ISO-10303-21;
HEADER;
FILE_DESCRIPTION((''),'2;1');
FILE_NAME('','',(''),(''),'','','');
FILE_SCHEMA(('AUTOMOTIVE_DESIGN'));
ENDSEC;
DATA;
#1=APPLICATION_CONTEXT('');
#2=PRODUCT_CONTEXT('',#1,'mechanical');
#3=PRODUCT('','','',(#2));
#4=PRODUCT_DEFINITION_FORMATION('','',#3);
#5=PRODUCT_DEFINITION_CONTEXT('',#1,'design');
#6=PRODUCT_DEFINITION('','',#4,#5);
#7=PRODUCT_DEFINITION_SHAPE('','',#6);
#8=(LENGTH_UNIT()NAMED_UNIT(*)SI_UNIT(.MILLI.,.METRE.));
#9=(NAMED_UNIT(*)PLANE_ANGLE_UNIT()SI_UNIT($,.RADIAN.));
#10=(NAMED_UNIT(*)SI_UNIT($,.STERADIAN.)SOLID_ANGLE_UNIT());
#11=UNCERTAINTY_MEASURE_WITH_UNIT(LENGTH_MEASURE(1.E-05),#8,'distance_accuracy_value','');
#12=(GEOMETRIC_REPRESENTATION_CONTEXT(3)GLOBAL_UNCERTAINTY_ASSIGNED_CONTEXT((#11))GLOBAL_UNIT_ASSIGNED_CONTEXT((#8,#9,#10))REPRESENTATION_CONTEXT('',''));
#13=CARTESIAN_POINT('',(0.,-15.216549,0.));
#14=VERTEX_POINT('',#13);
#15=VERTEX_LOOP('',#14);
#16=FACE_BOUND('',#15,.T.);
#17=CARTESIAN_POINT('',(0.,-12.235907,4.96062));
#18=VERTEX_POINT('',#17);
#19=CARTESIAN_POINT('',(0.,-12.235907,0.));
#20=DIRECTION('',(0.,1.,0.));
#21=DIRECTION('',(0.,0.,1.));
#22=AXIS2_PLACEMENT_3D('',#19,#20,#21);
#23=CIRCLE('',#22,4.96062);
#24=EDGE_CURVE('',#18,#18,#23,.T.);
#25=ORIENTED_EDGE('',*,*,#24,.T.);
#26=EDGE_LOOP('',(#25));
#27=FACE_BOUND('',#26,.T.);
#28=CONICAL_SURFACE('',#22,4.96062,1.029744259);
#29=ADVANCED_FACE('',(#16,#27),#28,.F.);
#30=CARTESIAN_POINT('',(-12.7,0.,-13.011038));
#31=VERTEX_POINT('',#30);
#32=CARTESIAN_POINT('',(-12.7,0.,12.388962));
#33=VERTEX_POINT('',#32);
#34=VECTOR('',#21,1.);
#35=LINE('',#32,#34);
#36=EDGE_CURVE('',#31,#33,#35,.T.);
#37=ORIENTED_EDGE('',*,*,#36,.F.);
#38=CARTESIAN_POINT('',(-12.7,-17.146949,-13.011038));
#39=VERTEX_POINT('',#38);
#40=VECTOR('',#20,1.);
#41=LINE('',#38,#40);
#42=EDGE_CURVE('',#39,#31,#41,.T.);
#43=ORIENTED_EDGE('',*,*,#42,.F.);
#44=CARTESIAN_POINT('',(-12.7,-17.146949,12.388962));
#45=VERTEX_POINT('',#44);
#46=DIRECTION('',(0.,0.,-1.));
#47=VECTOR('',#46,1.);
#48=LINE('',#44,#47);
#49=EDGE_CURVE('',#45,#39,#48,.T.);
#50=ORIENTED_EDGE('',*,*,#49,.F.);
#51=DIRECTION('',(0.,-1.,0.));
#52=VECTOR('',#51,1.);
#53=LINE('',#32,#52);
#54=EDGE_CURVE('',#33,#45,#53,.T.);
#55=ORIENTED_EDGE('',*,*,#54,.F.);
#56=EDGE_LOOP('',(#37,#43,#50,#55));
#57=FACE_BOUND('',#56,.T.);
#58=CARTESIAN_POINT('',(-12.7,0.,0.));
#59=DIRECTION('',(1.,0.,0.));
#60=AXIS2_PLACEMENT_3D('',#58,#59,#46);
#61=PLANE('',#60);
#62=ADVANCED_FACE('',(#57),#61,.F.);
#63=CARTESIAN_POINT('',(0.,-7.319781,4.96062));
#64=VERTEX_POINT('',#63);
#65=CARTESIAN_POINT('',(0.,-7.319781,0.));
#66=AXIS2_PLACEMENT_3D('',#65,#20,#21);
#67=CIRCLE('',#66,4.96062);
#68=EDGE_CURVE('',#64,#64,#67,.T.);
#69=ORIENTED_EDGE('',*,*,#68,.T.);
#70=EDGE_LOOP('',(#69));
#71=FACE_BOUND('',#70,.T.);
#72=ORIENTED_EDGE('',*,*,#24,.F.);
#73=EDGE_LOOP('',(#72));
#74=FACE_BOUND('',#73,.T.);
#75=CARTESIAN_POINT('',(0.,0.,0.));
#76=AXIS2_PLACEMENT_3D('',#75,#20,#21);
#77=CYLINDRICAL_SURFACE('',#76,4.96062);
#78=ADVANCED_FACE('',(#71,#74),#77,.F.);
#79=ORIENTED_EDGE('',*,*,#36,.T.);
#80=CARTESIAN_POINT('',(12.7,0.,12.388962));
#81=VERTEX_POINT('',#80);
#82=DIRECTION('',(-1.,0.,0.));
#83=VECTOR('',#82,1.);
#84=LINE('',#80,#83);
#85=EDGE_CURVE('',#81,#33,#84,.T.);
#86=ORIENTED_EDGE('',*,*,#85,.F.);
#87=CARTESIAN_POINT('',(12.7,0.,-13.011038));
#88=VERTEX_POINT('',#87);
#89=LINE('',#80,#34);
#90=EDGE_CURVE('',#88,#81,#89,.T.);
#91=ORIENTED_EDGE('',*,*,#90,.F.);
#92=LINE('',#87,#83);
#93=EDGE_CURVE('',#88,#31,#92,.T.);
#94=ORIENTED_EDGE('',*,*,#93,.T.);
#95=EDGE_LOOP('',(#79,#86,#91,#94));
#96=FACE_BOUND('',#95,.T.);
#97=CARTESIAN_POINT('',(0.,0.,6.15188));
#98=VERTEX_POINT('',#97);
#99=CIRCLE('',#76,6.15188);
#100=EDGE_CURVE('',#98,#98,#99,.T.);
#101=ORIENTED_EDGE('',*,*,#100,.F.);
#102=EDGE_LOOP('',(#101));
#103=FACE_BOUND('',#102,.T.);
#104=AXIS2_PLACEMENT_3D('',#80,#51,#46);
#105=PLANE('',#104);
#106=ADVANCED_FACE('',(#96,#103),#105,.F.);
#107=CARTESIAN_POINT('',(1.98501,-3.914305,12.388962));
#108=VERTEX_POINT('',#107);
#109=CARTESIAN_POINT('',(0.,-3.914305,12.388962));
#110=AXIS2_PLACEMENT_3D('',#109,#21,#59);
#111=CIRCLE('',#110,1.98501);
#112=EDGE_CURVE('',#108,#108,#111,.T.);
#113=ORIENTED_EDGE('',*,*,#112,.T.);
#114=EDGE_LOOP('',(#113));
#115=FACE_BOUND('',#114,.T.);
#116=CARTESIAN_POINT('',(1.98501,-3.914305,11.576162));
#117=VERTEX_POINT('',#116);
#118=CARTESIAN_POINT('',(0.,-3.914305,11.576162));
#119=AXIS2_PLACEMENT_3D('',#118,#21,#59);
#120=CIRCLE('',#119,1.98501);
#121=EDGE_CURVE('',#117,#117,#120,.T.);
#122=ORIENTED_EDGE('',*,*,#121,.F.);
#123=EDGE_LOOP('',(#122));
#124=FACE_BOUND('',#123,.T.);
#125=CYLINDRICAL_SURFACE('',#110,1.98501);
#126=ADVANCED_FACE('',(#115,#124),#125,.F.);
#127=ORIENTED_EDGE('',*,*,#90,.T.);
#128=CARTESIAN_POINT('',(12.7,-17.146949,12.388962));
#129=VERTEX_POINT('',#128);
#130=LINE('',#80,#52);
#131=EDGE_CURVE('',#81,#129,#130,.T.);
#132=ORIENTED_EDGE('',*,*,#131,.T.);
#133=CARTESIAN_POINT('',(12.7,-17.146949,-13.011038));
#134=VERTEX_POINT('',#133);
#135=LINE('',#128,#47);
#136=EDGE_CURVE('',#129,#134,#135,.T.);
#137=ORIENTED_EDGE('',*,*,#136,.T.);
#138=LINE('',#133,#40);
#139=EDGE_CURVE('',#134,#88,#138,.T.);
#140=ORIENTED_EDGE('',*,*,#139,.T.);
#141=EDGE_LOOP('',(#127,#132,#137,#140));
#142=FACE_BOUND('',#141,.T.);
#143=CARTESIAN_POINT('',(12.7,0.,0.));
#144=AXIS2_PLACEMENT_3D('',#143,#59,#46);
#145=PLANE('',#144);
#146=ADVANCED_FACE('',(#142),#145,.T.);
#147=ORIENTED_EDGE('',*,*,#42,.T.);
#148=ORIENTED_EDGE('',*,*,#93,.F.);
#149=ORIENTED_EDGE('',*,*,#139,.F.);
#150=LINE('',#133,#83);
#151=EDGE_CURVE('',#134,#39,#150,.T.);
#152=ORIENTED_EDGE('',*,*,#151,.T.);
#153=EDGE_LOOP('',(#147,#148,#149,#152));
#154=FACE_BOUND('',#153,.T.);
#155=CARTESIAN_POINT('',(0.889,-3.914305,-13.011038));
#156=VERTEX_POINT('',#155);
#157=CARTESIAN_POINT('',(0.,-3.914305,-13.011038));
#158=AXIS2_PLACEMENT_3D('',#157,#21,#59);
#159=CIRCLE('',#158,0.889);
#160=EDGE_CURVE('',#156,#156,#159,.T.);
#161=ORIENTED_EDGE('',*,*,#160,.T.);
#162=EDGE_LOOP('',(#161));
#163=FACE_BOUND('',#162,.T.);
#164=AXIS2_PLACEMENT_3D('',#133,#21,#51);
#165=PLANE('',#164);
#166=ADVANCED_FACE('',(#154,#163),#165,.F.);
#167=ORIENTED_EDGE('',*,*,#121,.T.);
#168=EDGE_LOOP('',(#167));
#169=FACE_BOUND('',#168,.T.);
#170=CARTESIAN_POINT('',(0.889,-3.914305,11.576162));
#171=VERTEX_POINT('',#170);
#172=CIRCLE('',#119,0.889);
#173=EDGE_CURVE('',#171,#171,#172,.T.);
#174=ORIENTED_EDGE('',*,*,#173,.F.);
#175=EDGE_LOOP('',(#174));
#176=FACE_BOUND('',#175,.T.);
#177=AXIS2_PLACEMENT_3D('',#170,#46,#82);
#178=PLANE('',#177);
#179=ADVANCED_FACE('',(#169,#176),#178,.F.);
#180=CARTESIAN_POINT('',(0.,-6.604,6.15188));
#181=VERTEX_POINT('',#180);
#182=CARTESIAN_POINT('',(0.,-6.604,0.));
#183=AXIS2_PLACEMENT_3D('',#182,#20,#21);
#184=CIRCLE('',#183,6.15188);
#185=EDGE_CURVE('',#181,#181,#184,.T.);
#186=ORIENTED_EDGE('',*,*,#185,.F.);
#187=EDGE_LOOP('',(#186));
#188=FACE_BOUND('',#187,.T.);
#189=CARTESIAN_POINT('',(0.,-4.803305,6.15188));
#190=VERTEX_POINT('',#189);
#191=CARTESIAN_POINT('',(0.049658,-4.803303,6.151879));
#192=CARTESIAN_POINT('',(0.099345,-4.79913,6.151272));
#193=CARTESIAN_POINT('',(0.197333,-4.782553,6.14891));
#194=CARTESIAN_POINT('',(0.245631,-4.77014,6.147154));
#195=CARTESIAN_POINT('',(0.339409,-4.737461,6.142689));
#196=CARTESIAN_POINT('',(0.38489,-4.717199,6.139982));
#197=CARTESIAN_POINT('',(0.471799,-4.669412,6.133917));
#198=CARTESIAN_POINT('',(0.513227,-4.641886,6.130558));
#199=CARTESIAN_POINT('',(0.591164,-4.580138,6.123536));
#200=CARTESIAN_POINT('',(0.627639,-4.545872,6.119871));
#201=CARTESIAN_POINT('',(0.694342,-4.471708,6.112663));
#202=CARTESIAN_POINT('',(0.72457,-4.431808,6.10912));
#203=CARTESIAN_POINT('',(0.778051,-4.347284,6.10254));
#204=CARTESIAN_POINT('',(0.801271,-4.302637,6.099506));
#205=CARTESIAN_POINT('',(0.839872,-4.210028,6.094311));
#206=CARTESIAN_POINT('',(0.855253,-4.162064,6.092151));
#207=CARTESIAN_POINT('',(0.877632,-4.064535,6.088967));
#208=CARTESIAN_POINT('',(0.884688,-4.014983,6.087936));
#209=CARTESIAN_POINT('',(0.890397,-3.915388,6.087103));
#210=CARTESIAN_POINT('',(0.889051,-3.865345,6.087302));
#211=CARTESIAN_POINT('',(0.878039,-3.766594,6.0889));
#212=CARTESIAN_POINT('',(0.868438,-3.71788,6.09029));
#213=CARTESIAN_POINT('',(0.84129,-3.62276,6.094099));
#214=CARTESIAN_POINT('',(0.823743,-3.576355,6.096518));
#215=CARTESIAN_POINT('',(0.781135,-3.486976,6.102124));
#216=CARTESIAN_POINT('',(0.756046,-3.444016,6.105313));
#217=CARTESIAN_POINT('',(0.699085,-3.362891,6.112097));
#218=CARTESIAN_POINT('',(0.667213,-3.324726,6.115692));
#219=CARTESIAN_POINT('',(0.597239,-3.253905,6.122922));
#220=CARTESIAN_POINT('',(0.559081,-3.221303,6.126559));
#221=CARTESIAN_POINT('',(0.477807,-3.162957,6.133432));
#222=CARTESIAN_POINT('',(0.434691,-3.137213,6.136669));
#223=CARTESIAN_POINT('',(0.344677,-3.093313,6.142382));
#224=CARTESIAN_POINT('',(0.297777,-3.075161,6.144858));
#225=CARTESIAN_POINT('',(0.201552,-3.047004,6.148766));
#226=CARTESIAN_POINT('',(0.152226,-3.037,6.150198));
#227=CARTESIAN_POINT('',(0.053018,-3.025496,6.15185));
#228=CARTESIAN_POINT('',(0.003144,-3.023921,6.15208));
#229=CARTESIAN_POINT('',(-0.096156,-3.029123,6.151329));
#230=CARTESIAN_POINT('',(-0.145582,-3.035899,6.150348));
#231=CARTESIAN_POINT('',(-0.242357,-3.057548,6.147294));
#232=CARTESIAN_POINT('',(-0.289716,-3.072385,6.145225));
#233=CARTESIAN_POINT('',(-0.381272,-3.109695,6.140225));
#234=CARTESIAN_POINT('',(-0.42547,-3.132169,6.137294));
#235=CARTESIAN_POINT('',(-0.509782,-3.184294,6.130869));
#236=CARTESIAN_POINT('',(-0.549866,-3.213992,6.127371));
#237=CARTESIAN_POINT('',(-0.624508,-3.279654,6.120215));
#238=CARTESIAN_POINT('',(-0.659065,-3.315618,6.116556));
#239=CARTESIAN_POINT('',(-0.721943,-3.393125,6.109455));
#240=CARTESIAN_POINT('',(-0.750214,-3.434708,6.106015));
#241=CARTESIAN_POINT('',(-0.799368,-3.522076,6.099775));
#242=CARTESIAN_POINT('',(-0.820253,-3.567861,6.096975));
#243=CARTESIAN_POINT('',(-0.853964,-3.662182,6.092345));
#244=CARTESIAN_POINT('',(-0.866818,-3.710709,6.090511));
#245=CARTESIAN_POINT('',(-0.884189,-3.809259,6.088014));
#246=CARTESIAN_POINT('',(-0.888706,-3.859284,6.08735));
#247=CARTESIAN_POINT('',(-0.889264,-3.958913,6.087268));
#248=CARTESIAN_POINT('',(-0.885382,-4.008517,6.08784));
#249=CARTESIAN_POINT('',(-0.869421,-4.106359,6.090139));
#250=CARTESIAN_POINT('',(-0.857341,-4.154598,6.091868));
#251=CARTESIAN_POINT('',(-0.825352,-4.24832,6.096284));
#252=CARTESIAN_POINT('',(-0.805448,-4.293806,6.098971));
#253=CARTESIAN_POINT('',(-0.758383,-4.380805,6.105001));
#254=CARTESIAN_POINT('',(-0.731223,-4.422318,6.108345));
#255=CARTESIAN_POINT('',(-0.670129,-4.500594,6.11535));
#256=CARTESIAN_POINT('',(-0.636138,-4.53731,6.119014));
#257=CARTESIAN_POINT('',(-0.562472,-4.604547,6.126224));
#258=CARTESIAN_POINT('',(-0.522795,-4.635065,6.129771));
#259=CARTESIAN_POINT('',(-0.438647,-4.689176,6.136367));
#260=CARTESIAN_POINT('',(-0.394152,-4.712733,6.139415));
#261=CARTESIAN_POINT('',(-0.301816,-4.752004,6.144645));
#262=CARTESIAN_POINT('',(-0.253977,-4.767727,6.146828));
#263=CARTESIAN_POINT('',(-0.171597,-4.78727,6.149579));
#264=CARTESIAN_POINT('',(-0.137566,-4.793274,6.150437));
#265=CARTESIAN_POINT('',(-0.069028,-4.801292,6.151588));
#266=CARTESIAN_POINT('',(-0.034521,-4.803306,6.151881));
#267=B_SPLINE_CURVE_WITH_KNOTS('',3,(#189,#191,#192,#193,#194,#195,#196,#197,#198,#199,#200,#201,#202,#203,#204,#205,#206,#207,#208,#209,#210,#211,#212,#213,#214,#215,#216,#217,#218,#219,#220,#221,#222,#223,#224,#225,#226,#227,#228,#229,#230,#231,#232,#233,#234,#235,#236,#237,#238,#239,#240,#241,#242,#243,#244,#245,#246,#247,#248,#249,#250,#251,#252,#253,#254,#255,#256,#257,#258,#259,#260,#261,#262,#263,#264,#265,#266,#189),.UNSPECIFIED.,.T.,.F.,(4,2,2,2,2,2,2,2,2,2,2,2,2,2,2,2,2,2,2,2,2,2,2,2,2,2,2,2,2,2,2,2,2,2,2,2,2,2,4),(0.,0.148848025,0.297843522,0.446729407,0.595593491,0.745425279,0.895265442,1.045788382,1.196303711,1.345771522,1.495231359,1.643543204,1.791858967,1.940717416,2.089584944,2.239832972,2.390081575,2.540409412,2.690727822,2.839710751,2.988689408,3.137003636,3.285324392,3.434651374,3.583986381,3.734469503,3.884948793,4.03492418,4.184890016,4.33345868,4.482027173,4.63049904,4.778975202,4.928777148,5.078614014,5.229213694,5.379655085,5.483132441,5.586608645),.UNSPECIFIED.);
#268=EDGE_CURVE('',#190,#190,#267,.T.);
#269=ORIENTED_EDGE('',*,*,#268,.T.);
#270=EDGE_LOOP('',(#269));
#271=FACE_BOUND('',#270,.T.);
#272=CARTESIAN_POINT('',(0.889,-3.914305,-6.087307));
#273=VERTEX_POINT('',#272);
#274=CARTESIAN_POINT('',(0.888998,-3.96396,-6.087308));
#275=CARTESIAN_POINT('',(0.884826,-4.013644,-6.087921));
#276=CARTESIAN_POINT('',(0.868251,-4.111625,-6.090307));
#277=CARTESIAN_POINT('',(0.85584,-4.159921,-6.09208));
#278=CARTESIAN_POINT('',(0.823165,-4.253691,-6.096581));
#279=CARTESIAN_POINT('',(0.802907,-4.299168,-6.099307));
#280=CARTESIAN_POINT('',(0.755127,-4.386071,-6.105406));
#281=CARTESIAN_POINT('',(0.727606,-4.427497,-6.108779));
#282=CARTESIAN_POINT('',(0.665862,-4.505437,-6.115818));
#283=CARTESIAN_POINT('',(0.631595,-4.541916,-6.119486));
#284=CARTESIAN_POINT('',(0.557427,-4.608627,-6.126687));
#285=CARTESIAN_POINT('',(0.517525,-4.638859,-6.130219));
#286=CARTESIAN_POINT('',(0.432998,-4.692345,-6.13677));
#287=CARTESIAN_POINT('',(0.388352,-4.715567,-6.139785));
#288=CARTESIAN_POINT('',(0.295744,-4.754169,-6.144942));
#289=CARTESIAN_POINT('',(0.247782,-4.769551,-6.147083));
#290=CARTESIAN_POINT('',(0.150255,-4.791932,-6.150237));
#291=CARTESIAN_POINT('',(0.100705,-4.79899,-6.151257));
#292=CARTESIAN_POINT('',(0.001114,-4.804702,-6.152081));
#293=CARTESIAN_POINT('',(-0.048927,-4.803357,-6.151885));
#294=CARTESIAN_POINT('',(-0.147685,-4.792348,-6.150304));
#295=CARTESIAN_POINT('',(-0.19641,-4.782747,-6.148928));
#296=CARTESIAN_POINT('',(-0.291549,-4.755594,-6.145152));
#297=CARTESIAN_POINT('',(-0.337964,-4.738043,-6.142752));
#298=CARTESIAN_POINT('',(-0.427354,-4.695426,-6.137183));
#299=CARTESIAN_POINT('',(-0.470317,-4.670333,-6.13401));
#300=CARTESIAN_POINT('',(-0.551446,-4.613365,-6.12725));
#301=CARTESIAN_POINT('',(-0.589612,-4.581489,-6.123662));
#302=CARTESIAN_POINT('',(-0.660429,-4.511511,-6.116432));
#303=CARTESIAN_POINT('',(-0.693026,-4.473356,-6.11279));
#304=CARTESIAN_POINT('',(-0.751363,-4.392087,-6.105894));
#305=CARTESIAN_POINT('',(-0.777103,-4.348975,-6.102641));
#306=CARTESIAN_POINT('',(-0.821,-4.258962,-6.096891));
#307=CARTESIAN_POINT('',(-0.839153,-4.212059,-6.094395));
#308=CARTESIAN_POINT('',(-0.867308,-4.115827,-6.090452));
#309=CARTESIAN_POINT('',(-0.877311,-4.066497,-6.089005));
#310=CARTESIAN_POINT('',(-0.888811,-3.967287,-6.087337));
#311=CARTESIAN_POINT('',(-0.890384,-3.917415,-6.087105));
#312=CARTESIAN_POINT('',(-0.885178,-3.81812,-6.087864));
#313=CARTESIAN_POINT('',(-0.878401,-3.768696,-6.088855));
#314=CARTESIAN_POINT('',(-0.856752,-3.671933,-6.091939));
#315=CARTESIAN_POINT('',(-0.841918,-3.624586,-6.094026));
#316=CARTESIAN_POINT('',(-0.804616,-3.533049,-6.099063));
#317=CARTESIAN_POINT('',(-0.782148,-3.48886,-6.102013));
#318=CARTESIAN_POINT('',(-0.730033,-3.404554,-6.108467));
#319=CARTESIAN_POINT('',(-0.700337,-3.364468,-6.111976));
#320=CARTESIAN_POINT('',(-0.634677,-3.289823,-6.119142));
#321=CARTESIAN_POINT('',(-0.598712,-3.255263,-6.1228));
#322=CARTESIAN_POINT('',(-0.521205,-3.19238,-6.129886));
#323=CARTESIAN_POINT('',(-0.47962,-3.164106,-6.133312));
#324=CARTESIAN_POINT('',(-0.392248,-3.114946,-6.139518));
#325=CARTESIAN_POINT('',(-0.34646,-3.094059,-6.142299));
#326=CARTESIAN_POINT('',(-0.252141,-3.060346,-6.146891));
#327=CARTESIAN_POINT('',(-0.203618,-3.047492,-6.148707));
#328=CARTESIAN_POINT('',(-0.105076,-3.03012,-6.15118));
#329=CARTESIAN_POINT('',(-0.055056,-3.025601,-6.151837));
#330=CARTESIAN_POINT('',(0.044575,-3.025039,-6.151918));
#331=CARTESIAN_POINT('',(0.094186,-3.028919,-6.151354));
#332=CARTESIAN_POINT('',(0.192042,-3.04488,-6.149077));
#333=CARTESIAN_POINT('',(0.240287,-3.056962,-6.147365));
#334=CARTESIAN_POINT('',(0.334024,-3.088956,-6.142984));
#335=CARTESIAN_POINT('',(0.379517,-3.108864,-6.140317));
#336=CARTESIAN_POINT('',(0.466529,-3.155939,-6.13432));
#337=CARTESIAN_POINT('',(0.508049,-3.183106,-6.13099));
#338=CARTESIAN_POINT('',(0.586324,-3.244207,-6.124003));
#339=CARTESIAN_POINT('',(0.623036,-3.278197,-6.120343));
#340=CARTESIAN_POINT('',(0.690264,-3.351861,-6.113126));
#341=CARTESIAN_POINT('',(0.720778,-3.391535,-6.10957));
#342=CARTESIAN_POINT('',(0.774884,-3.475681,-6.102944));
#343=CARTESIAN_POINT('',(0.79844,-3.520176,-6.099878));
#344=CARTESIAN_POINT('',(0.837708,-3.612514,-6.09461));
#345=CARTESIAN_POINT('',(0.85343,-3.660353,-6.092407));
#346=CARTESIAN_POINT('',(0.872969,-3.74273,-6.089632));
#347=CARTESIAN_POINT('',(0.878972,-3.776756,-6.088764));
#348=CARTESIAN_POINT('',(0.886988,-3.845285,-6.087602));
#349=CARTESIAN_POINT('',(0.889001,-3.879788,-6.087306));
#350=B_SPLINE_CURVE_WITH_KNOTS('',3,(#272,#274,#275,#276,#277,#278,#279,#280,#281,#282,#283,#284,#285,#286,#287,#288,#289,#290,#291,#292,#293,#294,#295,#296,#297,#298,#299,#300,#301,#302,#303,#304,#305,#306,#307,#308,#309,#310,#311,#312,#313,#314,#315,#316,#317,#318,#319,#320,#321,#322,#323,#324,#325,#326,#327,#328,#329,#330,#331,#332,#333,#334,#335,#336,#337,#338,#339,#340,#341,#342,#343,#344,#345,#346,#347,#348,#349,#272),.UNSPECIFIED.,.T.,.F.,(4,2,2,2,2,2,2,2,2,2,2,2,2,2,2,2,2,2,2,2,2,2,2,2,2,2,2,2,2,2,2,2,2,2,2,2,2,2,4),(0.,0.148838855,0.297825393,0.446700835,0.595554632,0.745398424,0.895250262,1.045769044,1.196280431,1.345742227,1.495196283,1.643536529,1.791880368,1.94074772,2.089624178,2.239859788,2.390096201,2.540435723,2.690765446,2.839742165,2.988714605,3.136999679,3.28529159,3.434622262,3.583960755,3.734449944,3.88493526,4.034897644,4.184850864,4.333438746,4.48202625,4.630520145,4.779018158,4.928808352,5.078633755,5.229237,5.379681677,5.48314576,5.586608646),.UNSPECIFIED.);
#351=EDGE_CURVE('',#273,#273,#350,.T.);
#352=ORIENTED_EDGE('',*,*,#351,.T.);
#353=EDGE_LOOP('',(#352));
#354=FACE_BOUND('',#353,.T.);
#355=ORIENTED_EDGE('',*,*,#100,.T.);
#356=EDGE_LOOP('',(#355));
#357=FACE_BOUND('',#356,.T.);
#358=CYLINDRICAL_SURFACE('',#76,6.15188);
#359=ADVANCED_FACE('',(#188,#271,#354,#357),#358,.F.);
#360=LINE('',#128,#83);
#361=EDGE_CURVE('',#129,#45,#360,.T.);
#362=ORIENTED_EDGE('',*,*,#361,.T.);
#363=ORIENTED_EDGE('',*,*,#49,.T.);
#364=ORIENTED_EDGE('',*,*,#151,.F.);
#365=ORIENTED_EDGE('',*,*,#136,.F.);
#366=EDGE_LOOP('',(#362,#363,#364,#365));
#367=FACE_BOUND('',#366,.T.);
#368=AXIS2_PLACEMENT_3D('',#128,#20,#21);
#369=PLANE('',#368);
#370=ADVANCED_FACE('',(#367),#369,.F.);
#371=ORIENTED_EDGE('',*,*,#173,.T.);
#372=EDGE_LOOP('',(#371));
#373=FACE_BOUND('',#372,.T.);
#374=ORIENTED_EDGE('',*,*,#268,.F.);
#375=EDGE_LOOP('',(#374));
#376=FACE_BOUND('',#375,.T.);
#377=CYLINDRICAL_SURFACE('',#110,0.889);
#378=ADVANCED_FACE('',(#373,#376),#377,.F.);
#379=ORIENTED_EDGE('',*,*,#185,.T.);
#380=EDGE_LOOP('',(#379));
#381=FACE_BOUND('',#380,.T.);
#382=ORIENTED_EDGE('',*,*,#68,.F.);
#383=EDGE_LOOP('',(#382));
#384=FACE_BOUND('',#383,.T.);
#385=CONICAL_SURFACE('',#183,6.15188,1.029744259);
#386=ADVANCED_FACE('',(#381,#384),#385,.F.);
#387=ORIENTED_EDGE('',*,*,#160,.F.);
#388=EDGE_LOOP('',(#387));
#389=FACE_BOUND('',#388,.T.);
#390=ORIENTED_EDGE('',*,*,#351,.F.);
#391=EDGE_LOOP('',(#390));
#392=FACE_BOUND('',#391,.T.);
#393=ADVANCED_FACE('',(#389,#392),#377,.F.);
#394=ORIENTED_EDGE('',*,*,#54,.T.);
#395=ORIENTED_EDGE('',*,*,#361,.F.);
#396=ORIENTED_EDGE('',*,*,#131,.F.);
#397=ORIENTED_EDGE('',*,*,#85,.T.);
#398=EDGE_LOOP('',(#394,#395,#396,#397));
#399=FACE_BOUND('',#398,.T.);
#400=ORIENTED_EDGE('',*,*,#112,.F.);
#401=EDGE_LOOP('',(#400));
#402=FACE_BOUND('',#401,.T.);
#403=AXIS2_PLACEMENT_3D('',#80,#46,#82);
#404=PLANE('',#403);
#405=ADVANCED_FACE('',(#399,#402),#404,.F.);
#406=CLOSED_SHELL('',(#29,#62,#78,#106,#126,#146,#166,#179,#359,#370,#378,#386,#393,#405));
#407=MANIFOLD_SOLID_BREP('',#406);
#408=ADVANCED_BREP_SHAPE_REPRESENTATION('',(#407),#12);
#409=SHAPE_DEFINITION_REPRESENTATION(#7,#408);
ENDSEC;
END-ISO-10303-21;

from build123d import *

# Parameters (mm, degrees)
SKETCH2_W                                           = 25.4
SKETCH2_H                                           = 17.146948585
BOSS_EXTRUDE1_DEPTH                                 = 12.7
F_7_16_20_TAPPED_HOLE1_D                            = 9.92124
F_7_16_20_TAPPED_HOLE1_DEPTH                        = 12.235907381
F_7_16_20_TAPPED_HOLE1_TIP                          = 2.980641204
F_7_16_CLEARANCE_HOLE3_D                            = 12.30376
F_7_16_CLEARANCE_HOLE3_DEPTH                        = 6.604
F_7_16_CLEARANCE_HOLE3_TIP                          = 3.696422425
CBORE_FOR_0_BINDING_HEAD_MACHINE_SCREW1_D           = 1.778
CBORE_FOR_0_BINDING_HEAD_MACHINE_SCREW1_CBORE_D     = 3.97002
CBORE_FOR_0_BINDING_HEAD_MACHINE_SCREW1_CBORE_DEPTH = 0.8128


with BuildPart() as part:
    # Sketch2 → Boss-Extrude1 (new, symmetric)
    with BuildSketch(Plane(origin=(0, 0, 0), x_dir=(0, 0, -1), z_dir=(1, 0, 0))):
        with Locations((0.311038218, -8.573474293)):
            Rectangle(SKETCH2_W, SKETCH2_H)
    extrude(amount=BOSS_EXTRUDE1_DEPTH, both=True)

    # 7/16-20 Tapped Hole1
    with Locations(Plane(origin=(0, 0, 0), x_dir=(1, 0, 0), z_dir=(0, 1, 0))):
        with Locations((0, 0)):
            Hole(F_7_16_20_TAPPED_HOLE1_D / 2, depth=F_7_16_20_TAPPED_HOLE1_DEPTH)
            with Locations((0, 0, -(F_7_16_20_TAPPED_HOLE1_DEPTH + F_7_16_20_TAPPED_HOLE1_TIP / 2))):  # 118° drill point
                Cone(0, F_7_16_20_TAPPED_HOLE1_D / 2, F_7_16_20_TAPPED_HOLE1_TIP, mode=Mode.SUBTRACT)

    # 7/16 Clearance Hole3
    with Locations(Plane(origin=(0, 0, 0), x_dir=(1, 0, 0), z_dir=(0, 1, 0))):
        with Locations((0, 0)):
            Hole(F_7_16_CLEARANCE_HOLE3_D / 2, depth=F_7_16_CLEARANCE_HOLE3_DEPTH)
            with Locations((0, 0, -(F_7_16_CLEARANCE_HOLE3_DEPTH + F_7_16_CLEARANCE_HOLE3_TIP / 2))):  # 118° drill point
                Cone(0, F_7_16_CLEARANCE_HOLE3_D / 2, F_7_16_CLEARANCE_HOLE3_TIP, mode=Mode.SUBTRACT)

    # CBORE for #0 Binding Head Machine Screw1 (through all)
    with Locations(Plane(origin=(0, -3.914304801, 12.388961782), x_dir=(1, 0, 0), z_dir=(0, 0, 1))):
        with Locations((0, 0)):
            CounterBoreHole(CBORE_FOR_0_BINDING_HEAD_MACHINE_SCREW1_D / 2, CBORE_FOR_0_BINDING_HEAD_MACHINE_SCREW1_CBORE_D / 2, CBORE_FOR_0_BINDING_HEAD_MACHINE_SCREW1_CBORE_DEPTH)


solid = part.part
